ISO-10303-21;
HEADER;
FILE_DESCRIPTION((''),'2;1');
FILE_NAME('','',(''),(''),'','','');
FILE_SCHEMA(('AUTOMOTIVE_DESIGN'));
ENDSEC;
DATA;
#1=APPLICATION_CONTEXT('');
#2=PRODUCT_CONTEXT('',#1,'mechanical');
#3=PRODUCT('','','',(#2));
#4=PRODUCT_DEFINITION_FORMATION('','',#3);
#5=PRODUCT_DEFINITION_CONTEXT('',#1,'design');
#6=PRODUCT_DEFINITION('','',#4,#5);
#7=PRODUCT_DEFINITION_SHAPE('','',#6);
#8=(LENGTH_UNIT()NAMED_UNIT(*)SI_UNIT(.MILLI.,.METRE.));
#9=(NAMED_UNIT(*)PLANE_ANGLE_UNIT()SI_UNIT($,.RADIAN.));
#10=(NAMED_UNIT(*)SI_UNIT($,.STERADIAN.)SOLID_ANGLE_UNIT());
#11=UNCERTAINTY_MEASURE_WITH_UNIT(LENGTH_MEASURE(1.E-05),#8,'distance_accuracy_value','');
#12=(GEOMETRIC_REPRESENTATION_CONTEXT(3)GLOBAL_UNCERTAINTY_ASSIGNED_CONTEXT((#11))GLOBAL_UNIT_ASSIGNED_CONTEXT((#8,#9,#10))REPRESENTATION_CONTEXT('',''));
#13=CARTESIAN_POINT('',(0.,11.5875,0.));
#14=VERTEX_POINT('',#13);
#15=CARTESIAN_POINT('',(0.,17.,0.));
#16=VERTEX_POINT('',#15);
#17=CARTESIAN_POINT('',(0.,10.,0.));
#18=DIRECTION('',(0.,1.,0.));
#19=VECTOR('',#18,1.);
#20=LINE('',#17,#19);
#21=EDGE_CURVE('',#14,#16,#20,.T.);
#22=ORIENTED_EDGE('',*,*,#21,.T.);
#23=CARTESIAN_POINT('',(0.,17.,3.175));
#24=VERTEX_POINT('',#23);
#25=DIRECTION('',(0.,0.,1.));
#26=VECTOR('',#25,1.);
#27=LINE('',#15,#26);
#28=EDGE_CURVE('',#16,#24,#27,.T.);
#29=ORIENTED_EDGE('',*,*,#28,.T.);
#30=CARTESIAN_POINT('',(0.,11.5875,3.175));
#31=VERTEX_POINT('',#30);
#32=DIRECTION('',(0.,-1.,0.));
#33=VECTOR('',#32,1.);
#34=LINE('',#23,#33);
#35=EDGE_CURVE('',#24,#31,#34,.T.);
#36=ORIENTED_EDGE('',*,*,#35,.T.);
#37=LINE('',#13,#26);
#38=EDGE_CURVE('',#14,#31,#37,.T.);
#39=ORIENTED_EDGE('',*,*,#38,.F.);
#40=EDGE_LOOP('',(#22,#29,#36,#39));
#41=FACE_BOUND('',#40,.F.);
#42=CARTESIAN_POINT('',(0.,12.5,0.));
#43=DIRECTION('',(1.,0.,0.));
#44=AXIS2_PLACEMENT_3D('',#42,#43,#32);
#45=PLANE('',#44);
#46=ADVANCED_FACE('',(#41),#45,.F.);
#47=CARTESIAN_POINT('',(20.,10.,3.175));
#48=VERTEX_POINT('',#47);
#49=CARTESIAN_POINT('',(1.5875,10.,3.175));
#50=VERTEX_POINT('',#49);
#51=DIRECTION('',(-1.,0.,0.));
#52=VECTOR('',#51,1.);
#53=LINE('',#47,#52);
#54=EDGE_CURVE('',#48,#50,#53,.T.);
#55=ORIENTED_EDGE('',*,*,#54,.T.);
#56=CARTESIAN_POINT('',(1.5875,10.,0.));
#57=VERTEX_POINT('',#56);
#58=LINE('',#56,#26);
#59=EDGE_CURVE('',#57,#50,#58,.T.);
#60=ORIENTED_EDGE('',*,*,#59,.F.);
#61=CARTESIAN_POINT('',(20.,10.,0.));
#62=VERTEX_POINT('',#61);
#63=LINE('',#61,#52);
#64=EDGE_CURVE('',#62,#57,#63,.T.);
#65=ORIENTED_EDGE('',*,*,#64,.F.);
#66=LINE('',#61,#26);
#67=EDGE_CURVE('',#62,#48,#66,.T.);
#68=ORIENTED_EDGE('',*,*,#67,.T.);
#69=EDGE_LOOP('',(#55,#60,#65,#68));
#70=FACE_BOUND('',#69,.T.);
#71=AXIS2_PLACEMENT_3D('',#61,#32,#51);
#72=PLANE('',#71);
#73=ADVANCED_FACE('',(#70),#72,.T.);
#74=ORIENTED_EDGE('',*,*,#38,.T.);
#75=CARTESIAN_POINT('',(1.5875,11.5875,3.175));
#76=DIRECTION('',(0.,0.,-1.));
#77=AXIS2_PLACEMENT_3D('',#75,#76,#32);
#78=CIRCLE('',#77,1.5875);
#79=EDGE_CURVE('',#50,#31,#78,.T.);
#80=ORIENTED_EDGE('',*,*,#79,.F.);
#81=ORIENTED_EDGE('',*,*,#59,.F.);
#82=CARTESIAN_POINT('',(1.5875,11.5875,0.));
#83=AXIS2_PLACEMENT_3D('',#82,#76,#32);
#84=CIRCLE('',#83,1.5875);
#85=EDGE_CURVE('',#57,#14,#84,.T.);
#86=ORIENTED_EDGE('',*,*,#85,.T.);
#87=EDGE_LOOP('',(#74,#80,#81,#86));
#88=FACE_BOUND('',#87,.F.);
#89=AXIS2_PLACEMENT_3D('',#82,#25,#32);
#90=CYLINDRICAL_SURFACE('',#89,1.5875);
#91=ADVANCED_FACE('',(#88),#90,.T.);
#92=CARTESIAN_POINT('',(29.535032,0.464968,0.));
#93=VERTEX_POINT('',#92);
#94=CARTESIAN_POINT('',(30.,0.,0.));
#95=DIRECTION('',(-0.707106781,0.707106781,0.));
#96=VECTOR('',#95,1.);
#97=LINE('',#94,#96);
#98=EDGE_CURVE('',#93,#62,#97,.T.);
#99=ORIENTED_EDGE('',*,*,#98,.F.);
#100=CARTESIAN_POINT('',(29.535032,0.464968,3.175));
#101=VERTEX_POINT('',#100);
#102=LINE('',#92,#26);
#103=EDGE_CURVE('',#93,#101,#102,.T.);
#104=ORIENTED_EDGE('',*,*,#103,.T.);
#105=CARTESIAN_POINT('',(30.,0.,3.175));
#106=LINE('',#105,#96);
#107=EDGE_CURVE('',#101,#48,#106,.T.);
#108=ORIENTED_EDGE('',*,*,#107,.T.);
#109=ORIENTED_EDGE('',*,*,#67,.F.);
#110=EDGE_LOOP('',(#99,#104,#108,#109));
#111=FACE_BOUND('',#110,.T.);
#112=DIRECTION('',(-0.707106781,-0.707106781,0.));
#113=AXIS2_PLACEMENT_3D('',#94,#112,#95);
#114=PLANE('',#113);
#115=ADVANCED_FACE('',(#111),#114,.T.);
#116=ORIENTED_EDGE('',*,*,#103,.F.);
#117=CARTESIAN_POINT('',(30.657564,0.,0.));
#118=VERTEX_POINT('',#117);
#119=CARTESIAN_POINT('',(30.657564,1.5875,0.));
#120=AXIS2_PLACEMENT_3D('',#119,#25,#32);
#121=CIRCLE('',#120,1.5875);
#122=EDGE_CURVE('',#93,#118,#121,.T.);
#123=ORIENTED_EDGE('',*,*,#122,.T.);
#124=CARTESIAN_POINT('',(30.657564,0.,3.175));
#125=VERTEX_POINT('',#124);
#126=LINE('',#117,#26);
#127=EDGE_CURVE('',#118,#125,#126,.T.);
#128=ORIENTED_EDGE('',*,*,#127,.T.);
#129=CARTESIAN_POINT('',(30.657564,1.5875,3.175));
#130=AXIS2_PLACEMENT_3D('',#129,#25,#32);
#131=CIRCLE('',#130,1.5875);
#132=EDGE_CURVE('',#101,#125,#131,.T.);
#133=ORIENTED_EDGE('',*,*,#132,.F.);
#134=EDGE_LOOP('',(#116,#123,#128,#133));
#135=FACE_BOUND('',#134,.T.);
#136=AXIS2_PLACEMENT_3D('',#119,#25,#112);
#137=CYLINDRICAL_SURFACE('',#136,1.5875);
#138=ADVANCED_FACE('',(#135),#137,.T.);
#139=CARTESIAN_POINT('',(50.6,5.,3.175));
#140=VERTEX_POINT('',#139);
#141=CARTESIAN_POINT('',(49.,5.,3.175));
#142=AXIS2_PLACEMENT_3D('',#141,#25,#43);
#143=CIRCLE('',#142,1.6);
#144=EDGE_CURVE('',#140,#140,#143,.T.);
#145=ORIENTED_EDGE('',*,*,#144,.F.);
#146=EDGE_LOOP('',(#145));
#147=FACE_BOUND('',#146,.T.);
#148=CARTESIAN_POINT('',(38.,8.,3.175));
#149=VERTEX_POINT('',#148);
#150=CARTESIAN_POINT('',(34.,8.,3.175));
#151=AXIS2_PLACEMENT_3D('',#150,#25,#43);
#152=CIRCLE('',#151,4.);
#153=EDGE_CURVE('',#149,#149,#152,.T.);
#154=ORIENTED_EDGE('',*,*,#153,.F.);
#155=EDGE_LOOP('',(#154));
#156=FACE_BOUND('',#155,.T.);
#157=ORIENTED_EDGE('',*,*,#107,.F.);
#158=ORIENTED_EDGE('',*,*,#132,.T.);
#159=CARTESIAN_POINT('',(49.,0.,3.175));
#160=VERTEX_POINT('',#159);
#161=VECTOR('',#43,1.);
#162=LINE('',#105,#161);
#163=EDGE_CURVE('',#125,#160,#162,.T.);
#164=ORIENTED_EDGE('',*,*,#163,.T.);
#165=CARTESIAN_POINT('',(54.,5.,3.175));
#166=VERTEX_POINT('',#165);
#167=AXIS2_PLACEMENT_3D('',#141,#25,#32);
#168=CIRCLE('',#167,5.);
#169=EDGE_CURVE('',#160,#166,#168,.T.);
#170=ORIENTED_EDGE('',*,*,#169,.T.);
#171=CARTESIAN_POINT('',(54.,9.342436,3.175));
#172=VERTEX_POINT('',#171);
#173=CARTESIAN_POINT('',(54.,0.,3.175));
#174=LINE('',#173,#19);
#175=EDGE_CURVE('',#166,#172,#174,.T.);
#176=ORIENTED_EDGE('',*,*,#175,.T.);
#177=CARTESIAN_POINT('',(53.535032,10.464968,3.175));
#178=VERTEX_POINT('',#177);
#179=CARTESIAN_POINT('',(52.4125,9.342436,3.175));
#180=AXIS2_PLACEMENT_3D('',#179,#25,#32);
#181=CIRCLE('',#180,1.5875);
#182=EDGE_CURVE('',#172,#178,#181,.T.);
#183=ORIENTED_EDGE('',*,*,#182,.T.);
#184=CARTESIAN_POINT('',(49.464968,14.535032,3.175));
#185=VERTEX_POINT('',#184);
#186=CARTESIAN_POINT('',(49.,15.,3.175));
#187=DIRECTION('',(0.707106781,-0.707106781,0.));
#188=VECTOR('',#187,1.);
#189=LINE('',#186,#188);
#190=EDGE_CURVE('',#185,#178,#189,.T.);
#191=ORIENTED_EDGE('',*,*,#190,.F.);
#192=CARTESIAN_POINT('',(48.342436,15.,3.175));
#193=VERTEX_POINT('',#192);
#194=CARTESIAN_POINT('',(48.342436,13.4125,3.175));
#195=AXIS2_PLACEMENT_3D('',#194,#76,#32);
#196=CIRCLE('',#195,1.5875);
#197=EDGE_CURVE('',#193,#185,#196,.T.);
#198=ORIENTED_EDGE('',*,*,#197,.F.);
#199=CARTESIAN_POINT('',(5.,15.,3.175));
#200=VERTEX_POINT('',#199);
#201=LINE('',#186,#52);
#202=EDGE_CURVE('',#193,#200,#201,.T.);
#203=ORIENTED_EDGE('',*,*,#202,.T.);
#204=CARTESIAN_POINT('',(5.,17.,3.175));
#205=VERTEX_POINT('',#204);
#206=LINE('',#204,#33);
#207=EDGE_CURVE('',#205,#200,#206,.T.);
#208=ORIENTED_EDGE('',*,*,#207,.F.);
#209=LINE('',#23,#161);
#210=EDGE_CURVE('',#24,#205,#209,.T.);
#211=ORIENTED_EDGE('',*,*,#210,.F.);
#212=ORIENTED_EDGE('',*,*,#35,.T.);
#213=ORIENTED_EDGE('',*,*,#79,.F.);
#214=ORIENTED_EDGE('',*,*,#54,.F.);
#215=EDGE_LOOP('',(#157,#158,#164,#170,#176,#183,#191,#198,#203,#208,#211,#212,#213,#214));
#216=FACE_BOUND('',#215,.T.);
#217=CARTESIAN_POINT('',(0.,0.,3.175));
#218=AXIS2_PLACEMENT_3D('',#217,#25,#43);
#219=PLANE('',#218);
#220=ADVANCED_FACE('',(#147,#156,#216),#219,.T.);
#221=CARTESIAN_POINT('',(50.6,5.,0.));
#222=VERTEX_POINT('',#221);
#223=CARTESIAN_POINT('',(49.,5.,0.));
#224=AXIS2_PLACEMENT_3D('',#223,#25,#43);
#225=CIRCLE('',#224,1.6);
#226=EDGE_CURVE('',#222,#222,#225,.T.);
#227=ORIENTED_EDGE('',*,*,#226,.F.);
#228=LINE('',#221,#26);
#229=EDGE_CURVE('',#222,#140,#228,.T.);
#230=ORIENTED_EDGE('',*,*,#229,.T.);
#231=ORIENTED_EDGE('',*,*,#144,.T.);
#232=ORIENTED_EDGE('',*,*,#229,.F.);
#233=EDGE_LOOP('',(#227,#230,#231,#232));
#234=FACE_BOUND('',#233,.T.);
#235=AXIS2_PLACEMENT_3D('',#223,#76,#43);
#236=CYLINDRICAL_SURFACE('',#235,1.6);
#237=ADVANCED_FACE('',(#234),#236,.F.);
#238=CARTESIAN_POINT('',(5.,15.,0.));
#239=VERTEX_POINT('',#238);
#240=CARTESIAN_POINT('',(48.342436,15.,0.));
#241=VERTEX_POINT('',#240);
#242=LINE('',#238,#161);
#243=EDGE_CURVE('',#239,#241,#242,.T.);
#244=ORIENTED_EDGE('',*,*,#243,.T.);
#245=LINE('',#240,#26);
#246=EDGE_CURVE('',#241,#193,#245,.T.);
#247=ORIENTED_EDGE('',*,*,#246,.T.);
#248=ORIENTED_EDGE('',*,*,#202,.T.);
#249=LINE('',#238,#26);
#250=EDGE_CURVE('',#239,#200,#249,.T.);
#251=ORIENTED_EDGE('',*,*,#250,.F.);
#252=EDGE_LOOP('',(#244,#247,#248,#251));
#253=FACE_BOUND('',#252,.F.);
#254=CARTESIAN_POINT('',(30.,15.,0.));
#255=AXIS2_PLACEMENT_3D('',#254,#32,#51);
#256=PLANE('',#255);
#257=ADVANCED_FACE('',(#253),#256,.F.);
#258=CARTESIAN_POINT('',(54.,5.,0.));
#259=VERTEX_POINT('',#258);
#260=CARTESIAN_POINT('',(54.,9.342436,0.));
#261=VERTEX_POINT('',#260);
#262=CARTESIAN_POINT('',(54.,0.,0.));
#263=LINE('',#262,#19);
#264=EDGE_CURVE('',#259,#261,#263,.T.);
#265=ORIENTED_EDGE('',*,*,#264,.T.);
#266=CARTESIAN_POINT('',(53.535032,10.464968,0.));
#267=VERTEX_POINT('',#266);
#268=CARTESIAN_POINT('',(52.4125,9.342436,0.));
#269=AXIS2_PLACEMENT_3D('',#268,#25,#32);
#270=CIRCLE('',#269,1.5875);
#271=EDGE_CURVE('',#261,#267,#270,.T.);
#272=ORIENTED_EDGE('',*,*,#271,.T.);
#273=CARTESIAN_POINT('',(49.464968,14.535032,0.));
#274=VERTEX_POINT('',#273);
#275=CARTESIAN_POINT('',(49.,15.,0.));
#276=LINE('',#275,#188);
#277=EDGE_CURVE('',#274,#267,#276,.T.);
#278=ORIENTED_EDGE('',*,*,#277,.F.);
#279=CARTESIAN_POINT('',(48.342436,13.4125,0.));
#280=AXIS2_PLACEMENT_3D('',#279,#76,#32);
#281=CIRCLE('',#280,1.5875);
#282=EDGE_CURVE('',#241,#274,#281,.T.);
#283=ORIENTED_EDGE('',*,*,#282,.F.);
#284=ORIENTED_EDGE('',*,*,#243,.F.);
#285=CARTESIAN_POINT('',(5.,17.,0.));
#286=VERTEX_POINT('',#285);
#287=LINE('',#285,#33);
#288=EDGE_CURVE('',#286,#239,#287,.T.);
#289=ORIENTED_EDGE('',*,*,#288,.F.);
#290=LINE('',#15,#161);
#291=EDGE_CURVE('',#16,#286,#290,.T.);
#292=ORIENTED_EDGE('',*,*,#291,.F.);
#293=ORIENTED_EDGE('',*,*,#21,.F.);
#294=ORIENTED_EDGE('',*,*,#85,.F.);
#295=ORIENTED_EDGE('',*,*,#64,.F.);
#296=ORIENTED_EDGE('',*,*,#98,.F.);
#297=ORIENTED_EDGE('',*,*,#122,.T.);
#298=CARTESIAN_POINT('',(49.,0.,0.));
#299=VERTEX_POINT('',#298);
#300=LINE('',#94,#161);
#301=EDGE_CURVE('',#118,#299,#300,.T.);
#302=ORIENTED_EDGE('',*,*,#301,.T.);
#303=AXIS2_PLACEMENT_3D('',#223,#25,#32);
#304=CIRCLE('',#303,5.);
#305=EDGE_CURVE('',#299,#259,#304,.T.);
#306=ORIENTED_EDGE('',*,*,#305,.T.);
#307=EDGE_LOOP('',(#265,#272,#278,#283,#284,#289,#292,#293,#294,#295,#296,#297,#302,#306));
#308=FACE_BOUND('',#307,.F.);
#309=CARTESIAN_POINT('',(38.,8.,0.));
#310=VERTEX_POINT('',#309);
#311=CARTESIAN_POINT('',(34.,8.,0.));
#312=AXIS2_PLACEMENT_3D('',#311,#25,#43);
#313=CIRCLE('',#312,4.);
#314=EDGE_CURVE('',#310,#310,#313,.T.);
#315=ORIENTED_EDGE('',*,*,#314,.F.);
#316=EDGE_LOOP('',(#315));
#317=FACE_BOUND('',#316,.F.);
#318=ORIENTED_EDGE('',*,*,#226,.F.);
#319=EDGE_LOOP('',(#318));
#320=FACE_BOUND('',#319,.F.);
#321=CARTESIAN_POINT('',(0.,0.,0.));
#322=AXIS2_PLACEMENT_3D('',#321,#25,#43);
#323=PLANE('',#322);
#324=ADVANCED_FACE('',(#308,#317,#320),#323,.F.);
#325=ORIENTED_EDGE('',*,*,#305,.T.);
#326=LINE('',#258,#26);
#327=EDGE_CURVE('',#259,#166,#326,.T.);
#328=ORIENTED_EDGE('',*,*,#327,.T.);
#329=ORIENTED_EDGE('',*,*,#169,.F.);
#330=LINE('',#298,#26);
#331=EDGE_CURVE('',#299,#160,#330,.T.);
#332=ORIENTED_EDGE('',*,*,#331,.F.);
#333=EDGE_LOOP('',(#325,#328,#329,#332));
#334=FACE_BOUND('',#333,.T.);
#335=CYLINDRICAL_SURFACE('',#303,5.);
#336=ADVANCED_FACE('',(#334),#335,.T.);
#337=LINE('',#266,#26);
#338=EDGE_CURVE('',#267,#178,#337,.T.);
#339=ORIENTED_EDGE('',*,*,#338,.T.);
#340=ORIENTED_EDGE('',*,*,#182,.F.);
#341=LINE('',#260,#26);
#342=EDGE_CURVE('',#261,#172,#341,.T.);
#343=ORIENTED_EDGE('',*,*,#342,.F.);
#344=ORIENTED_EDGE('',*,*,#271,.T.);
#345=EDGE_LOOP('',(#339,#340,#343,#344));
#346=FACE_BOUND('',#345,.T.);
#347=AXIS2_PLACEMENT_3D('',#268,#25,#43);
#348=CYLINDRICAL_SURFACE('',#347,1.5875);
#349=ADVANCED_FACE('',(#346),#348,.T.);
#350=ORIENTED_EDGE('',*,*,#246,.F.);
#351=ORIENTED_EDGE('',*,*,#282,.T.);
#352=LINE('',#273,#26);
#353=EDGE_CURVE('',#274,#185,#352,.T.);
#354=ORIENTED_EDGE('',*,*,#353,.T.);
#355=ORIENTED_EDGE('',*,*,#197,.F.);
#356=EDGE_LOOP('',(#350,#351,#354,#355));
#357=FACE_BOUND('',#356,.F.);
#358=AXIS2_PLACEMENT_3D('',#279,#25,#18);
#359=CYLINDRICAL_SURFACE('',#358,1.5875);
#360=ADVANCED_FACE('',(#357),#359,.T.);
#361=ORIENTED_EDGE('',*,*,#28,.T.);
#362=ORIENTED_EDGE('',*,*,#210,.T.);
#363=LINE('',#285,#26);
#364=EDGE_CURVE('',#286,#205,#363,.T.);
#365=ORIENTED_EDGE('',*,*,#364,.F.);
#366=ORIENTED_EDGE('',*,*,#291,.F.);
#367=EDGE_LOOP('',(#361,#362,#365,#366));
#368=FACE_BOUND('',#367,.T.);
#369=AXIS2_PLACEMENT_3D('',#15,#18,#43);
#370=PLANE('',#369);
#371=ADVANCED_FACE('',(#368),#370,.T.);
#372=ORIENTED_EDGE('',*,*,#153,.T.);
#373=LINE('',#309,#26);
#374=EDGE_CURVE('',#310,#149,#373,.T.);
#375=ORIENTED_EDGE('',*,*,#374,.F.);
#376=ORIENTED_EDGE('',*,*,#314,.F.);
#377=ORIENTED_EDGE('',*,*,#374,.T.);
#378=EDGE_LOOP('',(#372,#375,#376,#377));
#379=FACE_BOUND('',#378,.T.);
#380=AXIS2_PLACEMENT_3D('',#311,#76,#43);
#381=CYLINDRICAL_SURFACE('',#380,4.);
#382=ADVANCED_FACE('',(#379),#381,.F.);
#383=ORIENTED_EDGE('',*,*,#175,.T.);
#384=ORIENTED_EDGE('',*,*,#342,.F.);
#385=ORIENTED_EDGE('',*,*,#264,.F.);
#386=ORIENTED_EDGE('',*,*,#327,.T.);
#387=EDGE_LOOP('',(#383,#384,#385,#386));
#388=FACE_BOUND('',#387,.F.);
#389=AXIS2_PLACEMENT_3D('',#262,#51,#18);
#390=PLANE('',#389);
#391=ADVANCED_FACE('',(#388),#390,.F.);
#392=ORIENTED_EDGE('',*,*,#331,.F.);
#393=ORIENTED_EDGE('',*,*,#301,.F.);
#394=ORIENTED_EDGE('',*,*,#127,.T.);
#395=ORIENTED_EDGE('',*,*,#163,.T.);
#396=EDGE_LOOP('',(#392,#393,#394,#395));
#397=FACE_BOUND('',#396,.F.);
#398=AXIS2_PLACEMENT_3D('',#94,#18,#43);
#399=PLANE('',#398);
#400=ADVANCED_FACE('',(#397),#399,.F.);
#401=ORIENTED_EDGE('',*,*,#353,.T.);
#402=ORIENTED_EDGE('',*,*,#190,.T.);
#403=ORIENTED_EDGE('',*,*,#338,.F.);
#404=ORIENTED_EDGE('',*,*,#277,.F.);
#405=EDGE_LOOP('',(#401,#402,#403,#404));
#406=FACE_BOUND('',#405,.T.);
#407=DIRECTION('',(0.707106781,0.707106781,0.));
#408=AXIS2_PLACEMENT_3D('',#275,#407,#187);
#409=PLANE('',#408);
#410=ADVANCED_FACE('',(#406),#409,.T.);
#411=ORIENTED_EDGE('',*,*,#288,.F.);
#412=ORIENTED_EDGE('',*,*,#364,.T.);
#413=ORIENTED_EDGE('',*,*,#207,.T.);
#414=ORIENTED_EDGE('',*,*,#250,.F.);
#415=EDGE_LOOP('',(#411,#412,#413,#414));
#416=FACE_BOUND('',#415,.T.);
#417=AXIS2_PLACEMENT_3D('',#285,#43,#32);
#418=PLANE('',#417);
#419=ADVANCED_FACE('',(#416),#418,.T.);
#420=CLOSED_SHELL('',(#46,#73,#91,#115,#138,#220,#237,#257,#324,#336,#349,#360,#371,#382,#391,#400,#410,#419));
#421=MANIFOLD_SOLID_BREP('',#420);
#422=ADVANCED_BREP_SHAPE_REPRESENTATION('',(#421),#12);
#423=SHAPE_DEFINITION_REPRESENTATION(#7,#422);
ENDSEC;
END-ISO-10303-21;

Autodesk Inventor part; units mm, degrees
ref_plane "YZ Plane" through (0, 0, 0) normal (1, 0, 0) x (0, 1, 0)
ref_plane "XZ Plane" through (0, 0, 0) normal (0, 1, 0) x (-1, 0, 0)
ref_plane "XY Plane" through (0, 0, 0) normal (0, 0, 1) x (1, 0, 0)
sketch "Sketch1" plane through (0, 0, 0) normal (0, 0, 1) x (1, 0, 0)
  line L0 (30, 0) -> (54, 0)
  line L1 (54, 0) -> (54, 10)
  circle A0 centre (49, 5) radius 1.6
  circle A1 centre (34, 8) radius 4
  line L2 (49, 15) -> (54, 10)
  line L3 (30, 0) -> (20, 10)
  line L4 (0, 15) -> (0, 10)
  line L5 (0, 10) -> (0, 12.5)
  line L6 (20, 10) -> (0, 10)
  line L7 (0, 15) -> (0, 17)
  line L8 (0, 17) -> (5, 17)
  line L9 (5, 17) -> (5, 15)
  line L10 (30, 15) -> (0, 15)
  line L11 (49, 15) -> (30, 15)
  line L12 (30, 15) -> (30, 15)
  point P0 (0, 0)
  dimension "d0" = 3.2
  dimension "d1" = 8
  dimension "d3" = 15
  dimension "d4" = 5
  dimension "d5" = 5
  dimension "d10" = 8
  dimension "d13" = 10
  dimension "d29" = 5
  dimension "d30" = 2
  dimension "d33" = 15
  dimension "d34" = 45
  dimension "d37" = 20
  dimension "d38" = 5
  dimension "d42" = 10
  dimension "d44" = 34
  dimension "d45" = 19
  dimension "d46" = 0
extrude "Extrusion1" add sketch "Sketch1" along normal blind 3.175
fillet "Fillet1" radius 1.5875 4 edges at (54, 10, 1.5875) (0, 10, 1.5875) (30, 0, 1.5875) (49, 15, 1.5875)
fillet "Fillet1" radius 5 1 edges at (54, 0, 1.5875)
equation "\"d7\" = THICKA"
equation "\"THICKA\" = 3.175"
equation "\"THICKB\" = 6.731"
equation "\"THICKC\" = 12.7"
equation "\"BALLDIA\" = 12"
equation "\"MAGDIA\" = 9.5"
properties part number "Air2D_Hinge_Sideplate"
